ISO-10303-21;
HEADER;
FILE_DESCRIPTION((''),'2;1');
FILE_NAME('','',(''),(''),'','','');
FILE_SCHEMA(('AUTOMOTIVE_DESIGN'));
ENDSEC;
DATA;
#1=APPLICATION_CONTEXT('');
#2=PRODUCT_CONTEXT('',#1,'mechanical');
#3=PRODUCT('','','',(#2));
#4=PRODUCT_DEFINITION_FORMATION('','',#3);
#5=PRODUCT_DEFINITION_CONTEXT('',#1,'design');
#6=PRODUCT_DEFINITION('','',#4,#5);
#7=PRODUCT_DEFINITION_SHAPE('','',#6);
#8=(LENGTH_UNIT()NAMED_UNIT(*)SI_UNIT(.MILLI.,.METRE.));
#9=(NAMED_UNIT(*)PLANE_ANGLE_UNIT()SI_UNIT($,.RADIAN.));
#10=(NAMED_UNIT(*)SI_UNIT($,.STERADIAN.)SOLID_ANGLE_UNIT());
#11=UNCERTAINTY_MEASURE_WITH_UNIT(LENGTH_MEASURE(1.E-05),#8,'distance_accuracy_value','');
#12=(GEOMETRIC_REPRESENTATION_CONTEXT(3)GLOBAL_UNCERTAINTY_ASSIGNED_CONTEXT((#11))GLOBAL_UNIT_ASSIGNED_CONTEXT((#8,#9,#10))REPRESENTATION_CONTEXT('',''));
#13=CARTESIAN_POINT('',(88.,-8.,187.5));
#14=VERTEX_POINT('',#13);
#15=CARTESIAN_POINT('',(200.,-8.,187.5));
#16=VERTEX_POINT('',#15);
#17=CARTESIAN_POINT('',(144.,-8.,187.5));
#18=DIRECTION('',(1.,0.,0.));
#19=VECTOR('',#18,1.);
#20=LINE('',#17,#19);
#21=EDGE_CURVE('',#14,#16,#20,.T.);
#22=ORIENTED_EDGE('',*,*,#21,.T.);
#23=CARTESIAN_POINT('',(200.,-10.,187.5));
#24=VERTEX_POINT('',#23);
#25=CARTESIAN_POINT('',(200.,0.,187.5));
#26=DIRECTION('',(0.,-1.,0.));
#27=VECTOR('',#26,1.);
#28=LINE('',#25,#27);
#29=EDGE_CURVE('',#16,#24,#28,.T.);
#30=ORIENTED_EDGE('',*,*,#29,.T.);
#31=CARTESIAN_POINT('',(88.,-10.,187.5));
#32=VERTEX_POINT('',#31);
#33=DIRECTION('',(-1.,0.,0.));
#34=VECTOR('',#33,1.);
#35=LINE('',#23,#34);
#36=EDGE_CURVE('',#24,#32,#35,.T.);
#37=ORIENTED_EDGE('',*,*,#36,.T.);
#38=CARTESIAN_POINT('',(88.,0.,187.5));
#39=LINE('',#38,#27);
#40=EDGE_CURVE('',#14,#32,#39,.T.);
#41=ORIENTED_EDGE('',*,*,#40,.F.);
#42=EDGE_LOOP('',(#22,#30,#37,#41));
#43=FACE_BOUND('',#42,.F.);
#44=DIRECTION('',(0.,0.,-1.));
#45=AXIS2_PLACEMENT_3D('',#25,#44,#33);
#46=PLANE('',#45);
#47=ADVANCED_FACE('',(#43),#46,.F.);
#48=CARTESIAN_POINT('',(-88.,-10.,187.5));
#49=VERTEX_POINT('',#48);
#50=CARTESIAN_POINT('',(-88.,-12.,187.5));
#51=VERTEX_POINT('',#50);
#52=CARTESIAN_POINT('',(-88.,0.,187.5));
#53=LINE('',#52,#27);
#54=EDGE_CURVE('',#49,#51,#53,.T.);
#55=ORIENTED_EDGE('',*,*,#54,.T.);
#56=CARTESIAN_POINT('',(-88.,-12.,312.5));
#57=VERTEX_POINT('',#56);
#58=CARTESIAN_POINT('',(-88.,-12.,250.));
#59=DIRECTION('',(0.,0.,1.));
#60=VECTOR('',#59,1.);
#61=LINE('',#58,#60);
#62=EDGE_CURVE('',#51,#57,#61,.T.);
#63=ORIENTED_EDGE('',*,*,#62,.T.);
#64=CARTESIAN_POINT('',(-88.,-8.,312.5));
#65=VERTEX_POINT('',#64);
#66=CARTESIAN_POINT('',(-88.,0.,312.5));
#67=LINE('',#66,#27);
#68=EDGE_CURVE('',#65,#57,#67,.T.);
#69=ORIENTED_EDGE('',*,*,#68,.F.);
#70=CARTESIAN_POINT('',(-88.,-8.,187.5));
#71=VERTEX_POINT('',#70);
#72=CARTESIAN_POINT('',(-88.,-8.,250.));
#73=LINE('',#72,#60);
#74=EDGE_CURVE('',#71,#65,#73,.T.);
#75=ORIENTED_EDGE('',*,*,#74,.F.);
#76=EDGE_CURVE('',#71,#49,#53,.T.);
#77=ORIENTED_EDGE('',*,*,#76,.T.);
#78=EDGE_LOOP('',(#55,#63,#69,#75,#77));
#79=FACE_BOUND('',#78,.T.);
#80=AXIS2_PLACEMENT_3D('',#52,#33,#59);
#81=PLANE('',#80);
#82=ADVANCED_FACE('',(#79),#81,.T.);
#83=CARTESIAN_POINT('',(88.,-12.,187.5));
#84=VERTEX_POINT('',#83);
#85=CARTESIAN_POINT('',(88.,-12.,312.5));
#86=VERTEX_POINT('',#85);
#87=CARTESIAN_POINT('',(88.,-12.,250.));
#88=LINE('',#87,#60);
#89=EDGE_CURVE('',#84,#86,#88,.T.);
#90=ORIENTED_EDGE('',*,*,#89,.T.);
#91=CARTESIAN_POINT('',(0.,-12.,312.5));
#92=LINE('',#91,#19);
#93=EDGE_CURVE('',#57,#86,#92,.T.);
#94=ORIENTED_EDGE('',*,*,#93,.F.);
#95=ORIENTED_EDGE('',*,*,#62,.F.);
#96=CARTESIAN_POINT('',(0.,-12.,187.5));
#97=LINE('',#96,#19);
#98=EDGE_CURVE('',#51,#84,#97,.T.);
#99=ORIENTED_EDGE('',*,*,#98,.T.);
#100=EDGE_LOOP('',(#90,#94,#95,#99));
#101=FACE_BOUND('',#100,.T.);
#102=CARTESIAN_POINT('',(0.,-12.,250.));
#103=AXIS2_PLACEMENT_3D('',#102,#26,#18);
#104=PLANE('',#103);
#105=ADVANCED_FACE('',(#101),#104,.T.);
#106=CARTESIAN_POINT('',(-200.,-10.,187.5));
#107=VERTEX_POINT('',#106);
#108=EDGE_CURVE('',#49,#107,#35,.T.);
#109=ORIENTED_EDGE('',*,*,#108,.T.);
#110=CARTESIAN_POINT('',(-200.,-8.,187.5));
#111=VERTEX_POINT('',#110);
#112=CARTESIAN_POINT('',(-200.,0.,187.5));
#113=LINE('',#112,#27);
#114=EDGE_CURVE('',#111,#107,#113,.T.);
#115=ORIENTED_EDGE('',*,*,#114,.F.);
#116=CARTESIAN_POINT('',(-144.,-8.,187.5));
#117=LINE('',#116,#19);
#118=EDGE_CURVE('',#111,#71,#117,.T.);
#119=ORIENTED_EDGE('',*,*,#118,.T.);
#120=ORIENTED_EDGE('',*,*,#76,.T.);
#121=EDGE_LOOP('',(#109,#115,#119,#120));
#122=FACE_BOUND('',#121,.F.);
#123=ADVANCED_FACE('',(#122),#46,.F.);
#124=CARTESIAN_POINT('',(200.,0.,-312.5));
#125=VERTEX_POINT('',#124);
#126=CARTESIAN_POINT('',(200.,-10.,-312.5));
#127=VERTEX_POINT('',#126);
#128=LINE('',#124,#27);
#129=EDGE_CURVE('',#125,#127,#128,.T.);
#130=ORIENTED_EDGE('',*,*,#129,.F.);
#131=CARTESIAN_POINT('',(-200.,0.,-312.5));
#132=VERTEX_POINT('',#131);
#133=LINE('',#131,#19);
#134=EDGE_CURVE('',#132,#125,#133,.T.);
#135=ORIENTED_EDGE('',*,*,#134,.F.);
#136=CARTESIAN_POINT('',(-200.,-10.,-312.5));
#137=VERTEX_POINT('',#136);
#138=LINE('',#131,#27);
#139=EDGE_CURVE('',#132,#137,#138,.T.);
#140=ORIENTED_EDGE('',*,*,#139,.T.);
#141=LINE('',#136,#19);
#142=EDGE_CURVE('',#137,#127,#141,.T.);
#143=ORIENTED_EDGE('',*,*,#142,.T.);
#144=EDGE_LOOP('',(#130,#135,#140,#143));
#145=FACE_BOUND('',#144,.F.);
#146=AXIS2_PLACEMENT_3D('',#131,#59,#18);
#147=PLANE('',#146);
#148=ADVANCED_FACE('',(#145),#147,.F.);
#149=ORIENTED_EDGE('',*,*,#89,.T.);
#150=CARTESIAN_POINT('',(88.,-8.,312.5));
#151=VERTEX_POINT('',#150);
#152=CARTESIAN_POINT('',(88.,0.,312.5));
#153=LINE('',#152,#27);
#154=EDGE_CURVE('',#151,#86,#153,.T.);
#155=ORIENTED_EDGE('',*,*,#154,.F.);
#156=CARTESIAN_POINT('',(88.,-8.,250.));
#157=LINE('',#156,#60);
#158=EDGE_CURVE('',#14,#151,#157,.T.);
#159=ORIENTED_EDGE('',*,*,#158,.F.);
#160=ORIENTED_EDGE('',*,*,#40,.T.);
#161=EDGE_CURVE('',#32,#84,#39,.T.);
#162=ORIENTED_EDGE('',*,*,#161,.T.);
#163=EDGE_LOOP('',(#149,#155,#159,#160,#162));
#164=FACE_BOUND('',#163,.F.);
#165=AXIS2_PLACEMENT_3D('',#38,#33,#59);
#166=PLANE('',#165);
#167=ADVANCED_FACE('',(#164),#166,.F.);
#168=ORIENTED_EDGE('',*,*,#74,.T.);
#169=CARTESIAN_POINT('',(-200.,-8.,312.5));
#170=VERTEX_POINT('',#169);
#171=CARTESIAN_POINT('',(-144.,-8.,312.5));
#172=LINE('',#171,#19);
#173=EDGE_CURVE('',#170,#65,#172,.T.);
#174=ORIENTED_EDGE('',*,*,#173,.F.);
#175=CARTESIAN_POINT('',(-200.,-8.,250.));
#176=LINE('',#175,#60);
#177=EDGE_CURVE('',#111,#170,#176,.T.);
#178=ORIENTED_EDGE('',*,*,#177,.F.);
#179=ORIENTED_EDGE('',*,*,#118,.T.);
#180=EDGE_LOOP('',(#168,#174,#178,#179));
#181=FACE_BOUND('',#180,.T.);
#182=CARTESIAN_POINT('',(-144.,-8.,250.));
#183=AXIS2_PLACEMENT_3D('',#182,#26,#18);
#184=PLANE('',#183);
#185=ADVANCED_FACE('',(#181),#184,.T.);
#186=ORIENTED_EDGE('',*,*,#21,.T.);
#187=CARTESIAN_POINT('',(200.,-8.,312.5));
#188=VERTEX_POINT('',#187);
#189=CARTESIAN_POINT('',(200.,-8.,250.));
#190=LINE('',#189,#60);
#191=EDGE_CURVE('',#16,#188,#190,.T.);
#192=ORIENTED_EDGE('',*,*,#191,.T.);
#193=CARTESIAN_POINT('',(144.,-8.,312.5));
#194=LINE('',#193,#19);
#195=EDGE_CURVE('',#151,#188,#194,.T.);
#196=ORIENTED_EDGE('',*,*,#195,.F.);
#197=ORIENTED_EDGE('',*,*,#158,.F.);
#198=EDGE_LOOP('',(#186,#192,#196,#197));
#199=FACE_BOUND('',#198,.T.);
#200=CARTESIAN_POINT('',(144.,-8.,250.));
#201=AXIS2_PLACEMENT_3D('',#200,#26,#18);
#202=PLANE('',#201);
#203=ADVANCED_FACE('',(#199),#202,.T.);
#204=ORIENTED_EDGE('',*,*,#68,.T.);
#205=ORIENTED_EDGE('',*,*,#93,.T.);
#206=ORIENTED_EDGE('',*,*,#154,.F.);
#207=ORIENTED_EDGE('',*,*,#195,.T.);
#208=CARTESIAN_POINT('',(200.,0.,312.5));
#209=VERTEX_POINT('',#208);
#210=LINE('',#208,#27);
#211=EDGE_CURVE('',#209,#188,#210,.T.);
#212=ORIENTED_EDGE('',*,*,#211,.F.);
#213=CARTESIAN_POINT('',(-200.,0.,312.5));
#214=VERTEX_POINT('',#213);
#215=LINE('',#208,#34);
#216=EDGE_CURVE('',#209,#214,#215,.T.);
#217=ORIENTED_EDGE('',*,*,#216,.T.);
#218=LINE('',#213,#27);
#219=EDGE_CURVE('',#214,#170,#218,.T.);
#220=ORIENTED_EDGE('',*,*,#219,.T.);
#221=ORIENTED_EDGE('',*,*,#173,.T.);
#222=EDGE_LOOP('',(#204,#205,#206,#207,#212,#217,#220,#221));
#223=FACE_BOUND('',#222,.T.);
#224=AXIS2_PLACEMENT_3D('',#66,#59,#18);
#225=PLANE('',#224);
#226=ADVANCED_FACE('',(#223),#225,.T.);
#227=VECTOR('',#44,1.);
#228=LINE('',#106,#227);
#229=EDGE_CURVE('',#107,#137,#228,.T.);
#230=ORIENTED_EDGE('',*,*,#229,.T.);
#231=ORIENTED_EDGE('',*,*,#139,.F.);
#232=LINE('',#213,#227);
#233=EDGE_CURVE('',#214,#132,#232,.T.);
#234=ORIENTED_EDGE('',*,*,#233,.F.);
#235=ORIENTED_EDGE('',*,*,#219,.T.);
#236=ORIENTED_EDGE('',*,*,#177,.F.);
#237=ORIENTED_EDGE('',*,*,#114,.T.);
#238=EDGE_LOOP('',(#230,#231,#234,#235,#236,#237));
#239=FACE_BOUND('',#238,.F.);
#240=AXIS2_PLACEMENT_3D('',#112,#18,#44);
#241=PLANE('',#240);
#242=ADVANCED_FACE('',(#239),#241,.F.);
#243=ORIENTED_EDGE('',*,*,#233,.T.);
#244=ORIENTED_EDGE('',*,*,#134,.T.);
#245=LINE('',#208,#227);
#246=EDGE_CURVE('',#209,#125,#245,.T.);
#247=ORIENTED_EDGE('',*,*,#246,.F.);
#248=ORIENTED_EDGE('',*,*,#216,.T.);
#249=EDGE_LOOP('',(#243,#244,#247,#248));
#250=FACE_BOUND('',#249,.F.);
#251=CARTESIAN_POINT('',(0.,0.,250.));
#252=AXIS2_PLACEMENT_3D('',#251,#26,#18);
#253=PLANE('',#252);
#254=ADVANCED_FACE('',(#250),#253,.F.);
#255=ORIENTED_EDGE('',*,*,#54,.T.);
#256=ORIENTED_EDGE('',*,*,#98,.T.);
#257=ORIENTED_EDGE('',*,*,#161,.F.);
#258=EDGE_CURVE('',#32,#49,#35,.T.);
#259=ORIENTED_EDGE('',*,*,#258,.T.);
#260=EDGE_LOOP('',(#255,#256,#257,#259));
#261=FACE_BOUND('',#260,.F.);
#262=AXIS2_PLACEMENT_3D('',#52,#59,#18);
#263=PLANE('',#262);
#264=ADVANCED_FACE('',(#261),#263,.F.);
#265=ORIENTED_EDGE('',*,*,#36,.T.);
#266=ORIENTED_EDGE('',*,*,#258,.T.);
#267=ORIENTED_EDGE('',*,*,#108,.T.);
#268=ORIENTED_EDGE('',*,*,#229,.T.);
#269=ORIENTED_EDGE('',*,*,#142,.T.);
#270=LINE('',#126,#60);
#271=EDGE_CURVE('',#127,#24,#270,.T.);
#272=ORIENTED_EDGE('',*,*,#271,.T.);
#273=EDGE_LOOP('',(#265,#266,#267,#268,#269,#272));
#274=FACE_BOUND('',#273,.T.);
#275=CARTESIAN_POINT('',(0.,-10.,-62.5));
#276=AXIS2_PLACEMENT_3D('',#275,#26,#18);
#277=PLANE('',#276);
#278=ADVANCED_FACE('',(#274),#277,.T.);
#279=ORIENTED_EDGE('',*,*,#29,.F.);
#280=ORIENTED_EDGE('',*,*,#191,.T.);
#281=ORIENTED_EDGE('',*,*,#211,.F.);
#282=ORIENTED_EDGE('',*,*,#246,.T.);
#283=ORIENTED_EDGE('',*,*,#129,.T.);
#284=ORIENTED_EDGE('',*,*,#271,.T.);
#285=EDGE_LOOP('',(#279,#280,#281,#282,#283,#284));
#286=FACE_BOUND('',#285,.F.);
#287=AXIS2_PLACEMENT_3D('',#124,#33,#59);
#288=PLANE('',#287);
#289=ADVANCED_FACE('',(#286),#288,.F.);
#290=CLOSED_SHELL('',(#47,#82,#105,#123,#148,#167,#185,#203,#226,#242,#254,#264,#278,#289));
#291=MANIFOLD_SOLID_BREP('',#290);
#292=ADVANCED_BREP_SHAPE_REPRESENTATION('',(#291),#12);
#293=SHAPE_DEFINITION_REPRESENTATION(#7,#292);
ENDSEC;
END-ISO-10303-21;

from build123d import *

# Parameters (mm, degrees)
F0_W     = 112
F0_H     = 125
F1_DEPTH = 8
F2_DEPTH = 10
F0_W_2   = 176
F3_DEPTH = 12


with BuildPart() as f1:
    # F0 (on Front) → F1 (new body)
    with BuildSketch(Plane.XZ):
        with Locations((-144, 250)):
            Rectangle(F0_W, F0_H)
        with Locations((144, 250)):
            Rectangle(F0_W, F0_H)
    extrude(amount=F1_DEPTH)

    # F0 (on Front) → F2 (join)
    with BuildSketch(Plane.XZ):
        Polygon((-200, 187.5), (-200, -312.5), (200, -312.5), (200, 187.5), (88, 187.5), (-88, 187.5), align=None)
    extrude(amount=F2_DEPTH)

    # F0 (on Front) → F3 (join)
    with BuildSketch(Plane.XZ):
        with Locations((0, 250)):
            Rectangle(F0_W_2, F0_H)
    extrude(amount=F3_DEPTH)


solid = f1.part
